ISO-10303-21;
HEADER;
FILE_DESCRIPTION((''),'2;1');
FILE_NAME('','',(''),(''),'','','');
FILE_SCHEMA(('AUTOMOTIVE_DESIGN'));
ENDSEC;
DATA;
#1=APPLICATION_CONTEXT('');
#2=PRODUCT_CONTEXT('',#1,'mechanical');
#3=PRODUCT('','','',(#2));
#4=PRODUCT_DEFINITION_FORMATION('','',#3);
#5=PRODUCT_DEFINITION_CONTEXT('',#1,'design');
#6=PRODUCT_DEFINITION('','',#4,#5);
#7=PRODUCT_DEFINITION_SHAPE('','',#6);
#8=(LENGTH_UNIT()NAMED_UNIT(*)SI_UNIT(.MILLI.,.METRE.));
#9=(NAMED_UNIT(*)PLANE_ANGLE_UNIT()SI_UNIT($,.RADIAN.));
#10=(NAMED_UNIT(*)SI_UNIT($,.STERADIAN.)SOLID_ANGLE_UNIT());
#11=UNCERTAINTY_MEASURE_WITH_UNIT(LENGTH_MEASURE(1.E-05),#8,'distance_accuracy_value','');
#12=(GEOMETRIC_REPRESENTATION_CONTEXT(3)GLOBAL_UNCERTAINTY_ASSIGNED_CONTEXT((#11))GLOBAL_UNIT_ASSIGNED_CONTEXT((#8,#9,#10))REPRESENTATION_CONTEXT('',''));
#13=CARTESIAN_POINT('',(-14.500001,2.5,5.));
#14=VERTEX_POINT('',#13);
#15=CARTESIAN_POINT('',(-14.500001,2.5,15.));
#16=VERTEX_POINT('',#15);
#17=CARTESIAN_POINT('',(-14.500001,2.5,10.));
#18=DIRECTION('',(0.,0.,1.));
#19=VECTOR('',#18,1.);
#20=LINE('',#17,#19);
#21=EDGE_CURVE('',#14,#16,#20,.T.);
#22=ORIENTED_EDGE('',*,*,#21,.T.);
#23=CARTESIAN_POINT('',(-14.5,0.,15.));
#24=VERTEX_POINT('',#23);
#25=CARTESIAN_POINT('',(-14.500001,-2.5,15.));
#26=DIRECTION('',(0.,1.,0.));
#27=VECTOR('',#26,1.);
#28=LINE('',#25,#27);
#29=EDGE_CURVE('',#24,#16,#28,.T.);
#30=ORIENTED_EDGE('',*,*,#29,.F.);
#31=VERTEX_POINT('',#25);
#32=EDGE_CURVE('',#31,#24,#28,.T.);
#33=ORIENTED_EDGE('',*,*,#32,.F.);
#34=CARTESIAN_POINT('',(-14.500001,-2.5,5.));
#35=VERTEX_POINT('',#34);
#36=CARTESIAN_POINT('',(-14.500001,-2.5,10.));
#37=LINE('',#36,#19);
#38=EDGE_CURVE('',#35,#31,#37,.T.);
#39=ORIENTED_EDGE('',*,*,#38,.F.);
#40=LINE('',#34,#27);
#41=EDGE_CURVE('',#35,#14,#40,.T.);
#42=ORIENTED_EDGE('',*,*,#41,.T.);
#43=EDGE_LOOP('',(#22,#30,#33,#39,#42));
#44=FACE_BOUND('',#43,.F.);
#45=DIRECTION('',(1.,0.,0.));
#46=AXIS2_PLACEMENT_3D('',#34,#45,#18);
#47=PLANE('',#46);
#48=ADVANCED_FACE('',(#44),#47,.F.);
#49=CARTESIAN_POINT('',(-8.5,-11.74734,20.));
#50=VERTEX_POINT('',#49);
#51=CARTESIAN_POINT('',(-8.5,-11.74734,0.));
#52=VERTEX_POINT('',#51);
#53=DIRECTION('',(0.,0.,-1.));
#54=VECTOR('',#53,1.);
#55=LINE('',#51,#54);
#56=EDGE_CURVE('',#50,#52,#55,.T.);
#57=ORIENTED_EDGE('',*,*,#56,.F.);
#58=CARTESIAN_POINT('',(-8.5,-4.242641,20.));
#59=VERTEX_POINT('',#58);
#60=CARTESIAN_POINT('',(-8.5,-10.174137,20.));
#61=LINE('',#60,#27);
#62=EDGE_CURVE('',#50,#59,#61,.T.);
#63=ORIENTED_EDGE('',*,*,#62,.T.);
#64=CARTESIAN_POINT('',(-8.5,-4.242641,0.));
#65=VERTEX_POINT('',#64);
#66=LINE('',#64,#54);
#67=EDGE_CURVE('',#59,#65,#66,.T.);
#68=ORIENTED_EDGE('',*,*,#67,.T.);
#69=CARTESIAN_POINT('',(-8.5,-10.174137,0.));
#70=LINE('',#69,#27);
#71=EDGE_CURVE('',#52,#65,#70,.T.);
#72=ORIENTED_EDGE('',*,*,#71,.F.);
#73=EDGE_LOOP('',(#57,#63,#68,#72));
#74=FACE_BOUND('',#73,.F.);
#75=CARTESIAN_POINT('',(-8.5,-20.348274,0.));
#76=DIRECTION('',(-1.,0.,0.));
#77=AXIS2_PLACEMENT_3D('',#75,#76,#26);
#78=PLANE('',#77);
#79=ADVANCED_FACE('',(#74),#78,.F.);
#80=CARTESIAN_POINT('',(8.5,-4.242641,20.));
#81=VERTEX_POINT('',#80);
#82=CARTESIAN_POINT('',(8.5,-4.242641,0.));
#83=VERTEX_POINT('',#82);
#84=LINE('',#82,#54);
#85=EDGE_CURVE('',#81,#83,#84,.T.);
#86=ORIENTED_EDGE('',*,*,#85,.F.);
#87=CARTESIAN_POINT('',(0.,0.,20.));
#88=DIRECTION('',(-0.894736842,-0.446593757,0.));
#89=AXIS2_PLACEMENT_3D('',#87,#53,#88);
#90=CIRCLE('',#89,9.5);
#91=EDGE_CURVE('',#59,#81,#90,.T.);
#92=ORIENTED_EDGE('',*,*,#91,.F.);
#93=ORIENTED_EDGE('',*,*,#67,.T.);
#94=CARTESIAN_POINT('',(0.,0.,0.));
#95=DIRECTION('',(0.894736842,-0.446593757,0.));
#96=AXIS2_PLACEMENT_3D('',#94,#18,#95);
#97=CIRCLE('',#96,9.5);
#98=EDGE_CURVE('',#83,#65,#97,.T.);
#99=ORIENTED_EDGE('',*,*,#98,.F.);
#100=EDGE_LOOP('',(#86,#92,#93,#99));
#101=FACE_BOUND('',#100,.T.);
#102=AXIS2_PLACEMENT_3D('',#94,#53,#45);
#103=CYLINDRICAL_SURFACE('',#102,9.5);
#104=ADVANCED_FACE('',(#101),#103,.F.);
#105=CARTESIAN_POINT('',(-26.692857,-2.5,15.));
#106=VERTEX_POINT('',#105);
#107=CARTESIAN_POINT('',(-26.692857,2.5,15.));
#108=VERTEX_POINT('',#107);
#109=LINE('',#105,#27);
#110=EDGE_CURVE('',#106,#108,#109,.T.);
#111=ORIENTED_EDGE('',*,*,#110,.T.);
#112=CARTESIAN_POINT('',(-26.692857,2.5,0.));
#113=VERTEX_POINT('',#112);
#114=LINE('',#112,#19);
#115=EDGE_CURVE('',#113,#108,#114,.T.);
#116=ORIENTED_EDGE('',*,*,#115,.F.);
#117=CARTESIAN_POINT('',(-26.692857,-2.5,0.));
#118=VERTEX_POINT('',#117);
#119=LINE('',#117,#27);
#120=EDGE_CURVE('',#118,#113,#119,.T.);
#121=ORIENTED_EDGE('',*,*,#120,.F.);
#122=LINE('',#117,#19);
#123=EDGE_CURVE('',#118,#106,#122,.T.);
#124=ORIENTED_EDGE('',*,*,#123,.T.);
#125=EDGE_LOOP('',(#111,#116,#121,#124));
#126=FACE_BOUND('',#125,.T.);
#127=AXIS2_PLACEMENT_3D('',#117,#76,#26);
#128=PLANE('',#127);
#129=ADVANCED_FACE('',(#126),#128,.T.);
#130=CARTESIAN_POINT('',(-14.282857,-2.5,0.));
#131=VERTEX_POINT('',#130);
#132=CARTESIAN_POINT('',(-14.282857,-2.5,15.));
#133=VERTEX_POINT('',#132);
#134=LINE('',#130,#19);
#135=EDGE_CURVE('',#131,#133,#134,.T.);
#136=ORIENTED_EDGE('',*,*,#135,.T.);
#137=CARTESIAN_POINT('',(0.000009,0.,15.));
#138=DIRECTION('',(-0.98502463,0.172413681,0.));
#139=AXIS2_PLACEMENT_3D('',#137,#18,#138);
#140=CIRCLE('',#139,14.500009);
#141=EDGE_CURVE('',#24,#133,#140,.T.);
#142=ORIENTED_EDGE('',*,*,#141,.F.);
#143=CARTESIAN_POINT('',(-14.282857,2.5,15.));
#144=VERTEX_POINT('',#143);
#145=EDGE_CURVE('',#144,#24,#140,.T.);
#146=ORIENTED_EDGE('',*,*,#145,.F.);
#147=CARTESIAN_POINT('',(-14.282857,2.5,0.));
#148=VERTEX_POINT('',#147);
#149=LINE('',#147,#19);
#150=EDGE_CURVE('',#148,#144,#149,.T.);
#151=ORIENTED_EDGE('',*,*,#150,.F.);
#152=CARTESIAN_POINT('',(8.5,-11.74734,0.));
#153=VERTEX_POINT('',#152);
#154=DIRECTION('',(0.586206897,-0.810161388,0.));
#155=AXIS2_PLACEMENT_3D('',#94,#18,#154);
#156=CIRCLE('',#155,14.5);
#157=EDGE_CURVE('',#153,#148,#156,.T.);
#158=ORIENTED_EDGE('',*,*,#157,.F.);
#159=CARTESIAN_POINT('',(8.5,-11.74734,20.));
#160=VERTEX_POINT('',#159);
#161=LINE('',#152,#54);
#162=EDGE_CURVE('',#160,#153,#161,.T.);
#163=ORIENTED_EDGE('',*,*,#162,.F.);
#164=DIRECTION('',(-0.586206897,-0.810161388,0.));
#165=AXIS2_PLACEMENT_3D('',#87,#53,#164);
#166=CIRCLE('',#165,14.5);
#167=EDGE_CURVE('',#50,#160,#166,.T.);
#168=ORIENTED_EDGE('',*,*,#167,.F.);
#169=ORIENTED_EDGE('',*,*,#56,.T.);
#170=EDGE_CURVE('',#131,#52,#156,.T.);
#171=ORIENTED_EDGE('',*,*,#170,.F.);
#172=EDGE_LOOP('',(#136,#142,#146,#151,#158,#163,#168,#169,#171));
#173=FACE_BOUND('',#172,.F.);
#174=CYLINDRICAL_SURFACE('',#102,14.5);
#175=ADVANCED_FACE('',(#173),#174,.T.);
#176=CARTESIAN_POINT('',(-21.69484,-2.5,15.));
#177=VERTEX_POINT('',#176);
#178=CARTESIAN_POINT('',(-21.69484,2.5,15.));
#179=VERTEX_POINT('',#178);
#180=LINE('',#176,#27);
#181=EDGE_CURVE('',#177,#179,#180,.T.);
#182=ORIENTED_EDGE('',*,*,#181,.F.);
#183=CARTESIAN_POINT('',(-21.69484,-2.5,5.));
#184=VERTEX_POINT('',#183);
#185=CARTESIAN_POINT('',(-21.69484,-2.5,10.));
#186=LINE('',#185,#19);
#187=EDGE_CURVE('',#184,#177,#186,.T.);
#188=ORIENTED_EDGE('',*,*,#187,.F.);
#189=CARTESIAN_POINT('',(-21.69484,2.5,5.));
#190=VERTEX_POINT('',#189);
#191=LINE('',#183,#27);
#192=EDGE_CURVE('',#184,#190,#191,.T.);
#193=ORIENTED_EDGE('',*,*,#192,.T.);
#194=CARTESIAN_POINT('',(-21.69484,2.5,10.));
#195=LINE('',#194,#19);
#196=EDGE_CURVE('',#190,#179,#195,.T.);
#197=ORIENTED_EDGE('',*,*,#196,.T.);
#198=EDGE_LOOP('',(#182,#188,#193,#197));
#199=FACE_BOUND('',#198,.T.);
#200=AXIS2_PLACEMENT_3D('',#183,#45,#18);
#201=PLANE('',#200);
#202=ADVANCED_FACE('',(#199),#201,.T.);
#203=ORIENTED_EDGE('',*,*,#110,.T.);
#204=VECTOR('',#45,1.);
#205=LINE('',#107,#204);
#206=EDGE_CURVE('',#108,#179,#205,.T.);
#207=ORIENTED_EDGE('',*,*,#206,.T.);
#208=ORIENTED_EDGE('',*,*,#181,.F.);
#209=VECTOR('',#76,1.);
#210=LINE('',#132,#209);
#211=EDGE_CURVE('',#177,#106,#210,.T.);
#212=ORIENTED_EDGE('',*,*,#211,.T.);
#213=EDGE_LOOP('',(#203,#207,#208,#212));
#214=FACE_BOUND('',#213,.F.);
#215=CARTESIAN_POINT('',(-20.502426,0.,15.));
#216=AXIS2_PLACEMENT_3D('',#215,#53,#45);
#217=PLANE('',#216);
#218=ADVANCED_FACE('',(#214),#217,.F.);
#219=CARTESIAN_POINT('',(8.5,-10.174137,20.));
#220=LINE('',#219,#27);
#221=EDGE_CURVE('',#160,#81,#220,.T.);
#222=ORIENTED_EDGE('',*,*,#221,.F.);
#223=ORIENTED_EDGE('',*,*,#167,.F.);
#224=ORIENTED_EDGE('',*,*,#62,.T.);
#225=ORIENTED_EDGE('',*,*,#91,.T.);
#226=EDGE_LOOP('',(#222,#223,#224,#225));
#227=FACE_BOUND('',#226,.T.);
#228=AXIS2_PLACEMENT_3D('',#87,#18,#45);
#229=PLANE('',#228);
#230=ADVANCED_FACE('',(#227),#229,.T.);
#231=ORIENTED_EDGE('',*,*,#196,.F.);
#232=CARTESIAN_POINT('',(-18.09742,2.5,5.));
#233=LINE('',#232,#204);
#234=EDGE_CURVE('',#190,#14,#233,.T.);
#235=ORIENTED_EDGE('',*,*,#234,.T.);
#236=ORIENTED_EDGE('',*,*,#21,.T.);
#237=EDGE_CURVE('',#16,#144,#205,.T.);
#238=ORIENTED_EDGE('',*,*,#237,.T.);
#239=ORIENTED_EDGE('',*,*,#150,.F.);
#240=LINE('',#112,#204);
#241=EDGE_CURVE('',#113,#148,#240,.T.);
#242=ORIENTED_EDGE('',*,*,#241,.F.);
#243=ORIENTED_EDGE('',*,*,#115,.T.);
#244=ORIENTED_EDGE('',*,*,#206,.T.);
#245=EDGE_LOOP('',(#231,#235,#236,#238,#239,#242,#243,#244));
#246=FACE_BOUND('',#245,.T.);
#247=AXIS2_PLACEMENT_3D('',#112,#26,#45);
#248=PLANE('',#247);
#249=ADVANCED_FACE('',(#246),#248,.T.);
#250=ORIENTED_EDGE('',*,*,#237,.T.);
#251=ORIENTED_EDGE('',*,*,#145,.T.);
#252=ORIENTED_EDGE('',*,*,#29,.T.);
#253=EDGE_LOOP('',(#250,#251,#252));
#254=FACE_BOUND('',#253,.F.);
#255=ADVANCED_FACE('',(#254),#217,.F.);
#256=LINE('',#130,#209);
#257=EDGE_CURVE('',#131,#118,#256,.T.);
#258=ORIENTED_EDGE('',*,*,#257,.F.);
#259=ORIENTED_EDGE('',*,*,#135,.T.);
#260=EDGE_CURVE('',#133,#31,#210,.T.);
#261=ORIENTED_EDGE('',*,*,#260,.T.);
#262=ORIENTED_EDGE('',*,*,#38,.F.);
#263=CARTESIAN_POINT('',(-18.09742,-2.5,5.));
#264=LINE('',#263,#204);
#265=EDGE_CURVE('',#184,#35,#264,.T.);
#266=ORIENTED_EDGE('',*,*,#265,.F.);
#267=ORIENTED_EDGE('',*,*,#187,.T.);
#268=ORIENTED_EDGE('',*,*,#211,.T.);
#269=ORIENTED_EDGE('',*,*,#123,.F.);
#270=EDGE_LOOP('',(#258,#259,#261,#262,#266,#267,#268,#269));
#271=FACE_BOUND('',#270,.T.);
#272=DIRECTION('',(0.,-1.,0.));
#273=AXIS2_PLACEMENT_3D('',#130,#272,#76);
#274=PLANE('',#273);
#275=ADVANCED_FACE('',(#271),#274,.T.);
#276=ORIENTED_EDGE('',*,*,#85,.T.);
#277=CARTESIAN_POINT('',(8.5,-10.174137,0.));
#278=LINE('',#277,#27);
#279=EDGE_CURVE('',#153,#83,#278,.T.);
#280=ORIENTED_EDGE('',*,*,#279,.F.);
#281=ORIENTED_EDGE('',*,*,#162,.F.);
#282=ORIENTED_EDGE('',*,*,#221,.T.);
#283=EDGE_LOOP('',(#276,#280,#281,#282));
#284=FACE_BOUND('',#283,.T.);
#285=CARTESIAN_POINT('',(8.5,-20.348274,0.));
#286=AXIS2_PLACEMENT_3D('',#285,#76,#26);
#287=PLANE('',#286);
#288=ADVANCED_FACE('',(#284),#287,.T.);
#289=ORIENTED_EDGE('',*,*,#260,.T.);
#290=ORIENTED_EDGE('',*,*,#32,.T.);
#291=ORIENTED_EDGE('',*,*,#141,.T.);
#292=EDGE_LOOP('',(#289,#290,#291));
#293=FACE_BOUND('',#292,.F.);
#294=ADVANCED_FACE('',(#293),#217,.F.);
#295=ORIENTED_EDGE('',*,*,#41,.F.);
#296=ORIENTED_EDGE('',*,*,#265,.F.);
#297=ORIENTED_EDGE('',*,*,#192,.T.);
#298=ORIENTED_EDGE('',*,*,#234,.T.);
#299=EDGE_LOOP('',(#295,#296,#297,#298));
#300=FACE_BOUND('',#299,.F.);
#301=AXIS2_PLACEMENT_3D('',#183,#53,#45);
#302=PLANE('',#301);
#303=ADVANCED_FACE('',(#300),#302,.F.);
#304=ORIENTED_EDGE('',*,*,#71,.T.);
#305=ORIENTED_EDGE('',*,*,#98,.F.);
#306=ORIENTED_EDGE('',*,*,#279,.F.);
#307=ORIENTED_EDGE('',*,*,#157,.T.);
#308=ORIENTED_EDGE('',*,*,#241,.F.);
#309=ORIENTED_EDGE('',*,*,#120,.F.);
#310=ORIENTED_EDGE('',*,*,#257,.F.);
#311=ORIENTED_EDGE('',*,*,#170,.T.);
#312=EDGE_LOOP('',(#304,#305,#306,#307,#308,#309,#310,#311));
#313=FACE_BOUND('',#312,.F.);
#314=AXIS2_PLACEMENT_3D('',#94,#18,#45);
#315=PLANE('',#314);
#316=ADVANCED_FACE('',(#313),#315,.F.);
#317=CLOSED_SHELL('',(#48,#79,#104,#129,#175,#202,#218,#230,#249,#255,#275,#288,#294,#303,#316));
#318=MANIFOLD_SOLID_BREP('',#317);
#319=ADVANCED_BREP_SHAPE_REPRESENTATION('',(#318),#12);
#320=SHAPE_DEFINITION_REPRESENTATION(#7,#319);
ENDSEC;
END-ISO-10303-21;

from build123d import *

# Parameters (mm, degrees)
F0_R     = 14.5
F0_R_2   = 9.5
F1_DEPTH = 20
F2_W     = 17
F2_H     = 20.348274
F3_DEPTH = 20
F5_DEPTH = 15
F6_W     = 7.194839
F6_H     = 10
F7_DEPTH = 5


with BuildPart() as f1:
    # F0 (on Top) → F1 (new body)
    with BuildSketch(Plane.XY):
        Circle(F0_R)
        Circle(F0_R_2, mode=Mode.SUBTRACT)
    extrude(amount=F1_DEPTH)

    # F2 (on Top) → F3 (cut)
    with BuildSketch(Plane.XY):
        with Locations((0, -10.174137)):
            Rectangle(F2_W, F2_H)
    extrude(amount=F3_DEPTH, mode=Mode.SUBTRACT)

    # F4 (on face) → F5 (join)
    with BuildSketch(Plane(origin=(0, 0, 0), x_dir=(1, 0, 0), z_dir=(0, 0, -1))):
        with BuildLine():
            ThreePointArc((-14.282857, -2.5), (-14.5, 0), (-14.282857, 2.5))
            Line((-14.282857, 2.5), (-26.692857, 2.5))
            Line((-26.692857, 2.5), (-26.692857, -2.5))
            Line((-26.692857, -2.5), (-14.282857, -2.5))
        make_face()
    extrude(amount=-F5_DEPTH)

    # F6 (on face) → F7 (cut)
    with BuildSketch(Plane.XZ.offset(2.5)):
        with Locations((-18.09742, 10)):
            Rectangle(F6_W, F6_H)
    extrude(amount=-F7_DEPTH, mode=Mode.SUBTRACT)


solid = f1.part
